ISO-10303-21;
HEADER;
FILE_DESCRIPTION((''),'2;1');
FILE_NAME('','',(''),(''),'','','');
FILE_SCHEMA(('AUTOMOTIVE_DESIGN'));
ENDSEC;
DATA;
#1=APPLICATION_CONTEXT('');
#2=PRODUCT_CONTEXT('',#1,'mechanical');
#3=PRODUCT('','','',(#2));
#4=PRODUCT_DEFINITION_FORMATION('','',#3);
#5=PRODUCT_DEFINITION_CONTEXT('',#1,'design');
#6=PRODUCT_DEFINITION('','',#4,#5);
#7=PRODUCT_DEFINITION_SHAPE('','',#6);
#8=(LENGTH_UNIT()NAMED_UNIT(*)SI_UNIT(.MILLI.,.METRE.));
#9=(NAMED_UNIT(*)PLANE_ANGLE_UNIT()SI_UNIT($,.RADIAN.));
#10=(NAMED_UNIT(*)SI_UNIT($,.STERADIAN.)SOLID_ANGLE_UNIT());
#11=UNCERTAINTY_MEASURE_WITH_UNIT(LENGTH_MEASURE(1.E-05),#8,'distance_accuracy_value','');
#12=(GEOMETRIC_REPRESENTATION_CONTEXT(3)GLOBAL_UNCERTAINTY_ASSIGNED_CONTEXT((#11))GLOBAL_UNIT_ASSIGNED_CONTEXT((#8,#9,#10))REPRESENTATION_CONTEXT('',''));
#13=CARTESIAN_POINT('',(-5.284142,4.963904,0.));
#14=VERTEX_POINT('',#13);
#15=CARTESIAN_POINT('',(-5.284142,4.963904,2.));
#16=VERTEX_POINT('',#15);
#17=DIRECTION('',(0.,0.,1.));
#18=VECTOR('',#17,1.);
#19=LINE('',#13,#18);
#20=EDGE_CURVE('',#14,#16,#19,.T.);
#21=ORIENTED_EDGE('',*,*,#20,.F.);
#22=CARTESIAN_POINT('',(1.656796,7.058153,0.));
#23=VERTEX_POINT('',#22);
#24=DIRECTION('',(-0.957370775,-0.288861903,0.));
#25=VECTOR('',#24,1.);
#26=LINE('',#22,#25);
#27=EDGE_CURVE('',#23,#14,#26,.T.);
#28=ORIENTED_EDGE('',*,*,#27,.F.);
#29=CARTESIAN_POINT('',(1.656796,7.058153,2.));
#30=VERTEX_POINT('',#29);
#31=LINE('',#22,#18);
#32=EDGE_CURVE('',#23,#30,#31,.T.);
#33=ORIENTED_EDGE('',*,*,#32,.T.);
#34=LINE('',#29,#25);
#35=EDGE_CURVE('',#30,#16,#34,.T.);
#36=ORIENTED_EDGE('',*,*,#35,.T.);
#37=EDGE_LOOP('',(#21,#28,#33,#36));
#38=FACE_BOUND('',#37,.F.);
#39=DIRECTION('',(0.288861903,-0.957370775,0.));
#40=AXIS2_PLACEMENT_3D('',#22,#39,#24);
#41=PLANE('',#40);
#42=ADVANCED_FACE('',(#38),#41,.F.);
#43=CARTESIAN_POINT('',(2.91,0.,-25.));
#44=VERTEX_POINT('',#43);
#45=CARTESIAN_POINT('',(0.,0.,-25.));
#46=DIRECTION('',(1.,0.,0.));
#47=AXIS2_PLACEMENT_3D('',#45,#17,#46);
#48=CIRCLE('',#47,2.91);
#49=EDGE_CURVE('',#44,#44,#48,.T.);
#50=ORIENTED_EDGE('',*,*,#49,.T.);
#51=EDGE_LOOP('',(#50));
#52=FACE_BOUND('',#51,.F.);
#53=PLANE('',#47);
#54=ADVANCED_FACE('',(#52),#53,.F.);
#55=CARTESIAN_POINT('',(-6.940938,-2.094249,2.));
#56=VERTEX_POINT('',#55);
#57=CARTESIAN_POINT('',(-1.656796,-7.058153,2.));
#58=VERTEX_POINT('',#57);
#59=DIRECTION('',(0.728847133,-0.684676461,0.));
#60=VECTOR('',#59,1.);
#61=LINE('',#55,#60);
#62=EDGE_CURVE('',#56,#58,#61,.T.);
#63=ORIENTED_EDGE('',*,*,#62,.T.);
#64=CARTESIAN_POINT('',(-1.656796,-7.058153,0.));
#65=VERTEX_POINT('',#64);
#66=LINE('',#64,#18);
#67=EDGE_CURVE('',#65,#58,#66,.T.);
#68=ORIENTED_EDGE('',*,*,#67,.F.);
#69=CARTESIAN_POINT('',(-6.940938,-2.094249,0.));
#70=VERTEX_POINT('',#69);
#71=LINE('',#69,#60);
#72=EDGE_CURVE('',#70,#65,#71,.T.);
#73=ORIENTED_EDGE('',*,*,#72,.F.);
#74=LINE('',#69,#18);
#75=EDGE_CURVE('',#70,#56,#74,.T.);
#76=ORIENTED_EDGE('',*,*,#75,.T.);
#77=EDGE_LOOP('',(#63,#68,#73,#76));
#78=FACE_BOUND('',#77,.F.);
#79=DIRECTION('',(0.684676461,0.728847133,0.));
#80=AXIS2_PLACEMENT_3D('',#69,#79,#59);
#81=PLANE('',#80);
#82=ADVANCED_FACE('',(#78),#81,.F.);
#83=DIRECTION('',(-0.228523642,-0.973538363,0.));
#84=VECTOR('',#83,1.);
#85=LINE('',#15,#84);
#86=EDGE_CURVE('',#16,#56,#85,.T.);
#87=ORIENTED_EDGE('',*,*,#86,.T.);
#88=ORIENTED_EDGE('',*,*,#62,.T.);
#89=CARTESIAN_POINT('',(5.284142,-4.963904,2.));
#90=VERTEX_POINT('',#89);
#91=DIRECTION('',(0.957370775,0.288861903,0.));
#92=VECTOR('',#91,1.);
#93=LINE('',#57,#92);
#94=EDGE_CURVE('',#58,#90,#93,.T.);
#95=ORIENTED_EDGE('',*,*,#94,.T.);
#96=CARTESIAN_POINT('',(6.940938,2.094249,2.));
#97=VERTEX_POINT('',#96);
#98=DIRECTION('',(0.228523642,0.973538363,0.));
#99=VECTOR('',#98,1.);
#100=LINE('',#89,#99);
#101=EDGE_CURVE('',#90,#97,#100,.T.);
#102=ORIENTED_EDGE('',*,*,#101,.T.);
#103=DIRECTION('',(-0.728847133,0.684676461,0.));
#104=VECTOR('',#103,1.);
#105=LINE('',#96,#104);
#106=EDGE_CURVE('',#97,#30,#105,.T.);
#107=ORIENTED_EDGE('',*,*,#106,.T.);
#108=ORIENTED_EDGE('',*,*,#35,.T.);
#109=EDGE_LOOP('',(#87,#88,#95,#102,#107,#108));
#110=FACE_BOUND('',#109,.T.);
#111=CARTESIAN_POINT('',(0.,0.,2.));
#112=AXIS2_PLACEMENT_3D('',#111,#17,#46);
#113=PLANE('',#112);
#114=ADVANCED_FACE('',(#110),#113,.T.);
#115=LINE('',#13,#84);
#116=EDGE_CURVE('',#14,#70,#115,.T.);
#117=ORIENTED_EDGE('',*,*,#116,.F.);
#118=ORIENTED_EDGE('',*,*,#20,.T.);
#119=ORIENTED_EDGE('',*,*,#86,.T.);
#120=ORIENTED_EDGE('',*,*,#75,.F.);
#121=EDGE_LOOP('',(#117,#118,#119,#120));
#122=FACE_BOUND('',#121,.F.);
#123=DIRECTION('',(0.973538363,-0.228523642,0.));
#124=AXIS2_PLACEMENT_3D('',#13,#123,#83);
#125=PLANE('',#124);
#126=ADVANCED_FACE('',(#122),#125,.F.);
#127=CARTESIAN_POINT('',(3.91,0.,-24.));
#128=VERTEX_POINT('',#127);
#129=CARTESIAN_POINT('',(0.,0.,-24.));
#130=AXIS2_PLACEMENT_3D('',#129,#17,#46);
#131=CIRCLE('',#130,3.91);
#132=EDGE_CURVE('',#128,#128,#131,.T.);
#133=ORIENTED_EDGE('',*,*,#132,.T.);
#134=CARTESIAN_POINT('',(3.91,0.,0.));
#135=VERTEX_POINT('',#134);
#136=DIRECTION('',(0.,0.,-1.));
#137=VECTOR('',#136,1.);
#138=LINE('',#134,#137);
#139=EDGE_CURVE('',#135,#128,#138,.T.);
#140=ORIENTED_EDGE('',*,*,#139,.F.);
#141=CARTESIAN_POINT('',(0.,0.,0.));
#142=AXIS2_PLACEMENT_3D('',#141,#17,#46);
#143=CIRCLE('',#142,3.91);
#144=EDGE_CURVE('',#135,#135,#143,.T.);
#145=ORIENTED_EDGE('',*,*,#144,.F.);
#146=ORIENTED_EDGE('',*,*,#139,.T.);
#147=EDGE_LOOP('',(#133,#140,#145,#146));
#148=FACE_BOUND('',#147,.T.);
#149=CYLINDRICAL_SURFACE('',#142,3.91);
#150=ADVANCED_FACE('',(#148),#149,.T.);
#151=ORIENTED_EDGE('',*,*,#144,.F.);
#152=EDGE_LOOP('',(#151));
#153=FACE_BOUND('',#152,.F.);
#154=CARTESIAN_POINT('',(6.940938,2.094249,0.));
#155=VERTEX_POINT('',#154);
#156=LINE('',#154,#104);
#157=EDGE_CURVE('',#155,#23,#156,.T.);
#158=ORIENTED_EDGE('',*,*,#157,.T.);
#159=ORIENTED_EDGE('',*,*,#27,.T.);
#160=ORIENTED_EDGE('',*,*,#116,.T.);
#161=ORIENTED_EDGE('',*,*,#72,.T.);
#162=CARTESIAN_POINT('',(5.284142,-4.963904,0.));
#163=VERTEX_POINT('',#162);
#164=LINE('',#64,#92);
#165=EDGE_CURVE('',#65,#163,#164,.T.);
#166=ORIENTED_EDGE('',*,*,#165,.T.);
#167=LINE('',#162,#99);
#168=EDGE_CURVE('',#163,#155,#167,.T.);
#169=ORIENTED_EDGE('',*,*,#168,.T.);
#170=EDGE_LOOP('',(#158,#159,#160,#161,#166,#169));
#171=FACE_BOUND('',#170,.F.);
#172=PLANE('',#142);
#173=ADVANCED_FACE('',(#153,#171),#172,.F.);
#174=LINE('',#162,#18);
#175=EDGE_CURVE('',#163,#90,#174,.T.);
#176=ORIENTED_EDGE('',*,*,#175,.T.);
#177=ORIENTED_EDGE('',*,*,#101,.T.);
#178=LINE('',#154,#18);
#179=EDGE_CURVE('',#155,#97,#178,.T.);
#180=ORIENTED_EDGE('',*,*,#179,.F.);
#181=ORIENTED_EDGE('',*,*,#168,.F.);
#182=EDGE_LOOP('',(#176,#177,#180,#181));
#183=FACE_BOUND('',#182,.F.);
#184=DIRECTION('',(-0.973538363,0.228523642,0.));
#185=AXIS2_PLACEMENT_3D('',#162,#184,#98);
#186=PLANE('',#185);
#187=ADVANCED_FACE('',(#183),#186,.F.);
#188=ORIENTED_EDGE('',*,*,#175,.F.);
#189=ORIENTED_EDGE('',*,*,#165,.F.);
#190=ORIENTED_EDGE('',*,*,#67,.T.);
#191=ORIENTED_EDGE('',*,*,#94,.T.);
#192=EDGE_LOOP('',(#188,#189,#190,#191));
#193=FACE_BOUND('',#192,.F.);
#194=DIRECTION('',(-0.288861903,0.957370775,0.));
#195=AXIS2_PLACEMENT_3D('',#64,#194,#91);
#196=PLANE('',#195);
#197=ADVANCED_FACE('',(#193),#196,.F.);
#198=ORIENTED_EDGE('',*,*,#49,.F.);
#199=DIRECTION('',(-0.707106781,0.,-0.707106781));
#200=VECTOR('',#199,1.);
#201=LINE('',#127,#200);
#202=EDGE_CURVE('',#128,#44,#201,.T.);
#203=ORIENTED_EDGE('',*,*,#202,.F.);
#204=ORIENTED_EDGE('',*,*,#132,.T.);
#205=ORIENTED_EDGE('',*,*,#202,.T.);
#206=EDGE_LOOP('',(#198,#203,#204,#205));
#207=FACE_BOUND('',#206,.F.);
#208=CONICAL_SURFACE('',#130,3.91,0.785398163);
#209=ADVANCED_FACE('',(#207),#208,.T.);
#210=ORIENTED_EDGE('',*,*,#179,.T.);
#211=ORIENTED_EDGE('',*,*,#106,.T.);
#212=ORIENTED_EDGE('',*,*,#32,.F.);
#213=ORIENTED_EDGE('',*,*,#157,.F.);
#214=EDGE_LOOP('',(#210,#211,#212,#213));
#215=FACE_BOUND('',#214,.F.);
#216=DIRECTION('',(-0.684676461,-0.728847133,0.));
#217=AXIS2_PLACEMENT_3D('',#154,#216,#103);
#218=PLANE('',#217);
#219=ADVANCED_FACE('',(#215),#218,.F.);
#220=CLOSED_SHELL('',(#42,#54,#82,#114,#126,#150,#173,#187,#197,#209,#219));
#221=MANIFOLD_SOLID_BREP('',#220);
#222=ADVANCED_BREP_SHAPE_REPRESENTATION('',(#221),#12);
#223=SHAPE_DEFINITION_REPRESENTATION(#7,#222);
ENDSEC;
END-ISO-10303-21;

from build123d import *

# Parameters (mm, degrees)
F0_R      = 3.91
F1_DEPTH  = 25
F1_FACE_R = 3.91
F2_DEPTH  = 2
F3_SIZE   = 1


with BuildPart() as f1:
    # F0 (on Top) → F1 (new body)
    with BuildSketch(Plane.XY):
        Circle(F0_R)
    extrude(amount=-F1_DEPTH)

    # F0 (on Top) + F1_face (on face) → F2 (join)
    with BuildSketch(Plane.XY):
        Polygon((5.284141717, -4.9639043418), (6.9409381205, 2.0942487932), (1.6567964035, 7.058153135), (-5.284141717, 4.9639043418), (-6.9409381205, -2.0942487932), (-1.6567964035, -7.058153135), align=None)
        Circle(F0_R, mode=Mode.SUBTRACT)
    with BuildSketch(Plane.XY):
        Circle(F1_FACE_R)
    extrude(amount=F2_DEPTH)

    # F3
    f3_edges = [f1.edges().sort_by_distance(p)[0] for p in [
        (-3.91, 0, -25),
    ]]
    chamfer(f3_edges, length=F3_SIZE)


solid = f1.part
